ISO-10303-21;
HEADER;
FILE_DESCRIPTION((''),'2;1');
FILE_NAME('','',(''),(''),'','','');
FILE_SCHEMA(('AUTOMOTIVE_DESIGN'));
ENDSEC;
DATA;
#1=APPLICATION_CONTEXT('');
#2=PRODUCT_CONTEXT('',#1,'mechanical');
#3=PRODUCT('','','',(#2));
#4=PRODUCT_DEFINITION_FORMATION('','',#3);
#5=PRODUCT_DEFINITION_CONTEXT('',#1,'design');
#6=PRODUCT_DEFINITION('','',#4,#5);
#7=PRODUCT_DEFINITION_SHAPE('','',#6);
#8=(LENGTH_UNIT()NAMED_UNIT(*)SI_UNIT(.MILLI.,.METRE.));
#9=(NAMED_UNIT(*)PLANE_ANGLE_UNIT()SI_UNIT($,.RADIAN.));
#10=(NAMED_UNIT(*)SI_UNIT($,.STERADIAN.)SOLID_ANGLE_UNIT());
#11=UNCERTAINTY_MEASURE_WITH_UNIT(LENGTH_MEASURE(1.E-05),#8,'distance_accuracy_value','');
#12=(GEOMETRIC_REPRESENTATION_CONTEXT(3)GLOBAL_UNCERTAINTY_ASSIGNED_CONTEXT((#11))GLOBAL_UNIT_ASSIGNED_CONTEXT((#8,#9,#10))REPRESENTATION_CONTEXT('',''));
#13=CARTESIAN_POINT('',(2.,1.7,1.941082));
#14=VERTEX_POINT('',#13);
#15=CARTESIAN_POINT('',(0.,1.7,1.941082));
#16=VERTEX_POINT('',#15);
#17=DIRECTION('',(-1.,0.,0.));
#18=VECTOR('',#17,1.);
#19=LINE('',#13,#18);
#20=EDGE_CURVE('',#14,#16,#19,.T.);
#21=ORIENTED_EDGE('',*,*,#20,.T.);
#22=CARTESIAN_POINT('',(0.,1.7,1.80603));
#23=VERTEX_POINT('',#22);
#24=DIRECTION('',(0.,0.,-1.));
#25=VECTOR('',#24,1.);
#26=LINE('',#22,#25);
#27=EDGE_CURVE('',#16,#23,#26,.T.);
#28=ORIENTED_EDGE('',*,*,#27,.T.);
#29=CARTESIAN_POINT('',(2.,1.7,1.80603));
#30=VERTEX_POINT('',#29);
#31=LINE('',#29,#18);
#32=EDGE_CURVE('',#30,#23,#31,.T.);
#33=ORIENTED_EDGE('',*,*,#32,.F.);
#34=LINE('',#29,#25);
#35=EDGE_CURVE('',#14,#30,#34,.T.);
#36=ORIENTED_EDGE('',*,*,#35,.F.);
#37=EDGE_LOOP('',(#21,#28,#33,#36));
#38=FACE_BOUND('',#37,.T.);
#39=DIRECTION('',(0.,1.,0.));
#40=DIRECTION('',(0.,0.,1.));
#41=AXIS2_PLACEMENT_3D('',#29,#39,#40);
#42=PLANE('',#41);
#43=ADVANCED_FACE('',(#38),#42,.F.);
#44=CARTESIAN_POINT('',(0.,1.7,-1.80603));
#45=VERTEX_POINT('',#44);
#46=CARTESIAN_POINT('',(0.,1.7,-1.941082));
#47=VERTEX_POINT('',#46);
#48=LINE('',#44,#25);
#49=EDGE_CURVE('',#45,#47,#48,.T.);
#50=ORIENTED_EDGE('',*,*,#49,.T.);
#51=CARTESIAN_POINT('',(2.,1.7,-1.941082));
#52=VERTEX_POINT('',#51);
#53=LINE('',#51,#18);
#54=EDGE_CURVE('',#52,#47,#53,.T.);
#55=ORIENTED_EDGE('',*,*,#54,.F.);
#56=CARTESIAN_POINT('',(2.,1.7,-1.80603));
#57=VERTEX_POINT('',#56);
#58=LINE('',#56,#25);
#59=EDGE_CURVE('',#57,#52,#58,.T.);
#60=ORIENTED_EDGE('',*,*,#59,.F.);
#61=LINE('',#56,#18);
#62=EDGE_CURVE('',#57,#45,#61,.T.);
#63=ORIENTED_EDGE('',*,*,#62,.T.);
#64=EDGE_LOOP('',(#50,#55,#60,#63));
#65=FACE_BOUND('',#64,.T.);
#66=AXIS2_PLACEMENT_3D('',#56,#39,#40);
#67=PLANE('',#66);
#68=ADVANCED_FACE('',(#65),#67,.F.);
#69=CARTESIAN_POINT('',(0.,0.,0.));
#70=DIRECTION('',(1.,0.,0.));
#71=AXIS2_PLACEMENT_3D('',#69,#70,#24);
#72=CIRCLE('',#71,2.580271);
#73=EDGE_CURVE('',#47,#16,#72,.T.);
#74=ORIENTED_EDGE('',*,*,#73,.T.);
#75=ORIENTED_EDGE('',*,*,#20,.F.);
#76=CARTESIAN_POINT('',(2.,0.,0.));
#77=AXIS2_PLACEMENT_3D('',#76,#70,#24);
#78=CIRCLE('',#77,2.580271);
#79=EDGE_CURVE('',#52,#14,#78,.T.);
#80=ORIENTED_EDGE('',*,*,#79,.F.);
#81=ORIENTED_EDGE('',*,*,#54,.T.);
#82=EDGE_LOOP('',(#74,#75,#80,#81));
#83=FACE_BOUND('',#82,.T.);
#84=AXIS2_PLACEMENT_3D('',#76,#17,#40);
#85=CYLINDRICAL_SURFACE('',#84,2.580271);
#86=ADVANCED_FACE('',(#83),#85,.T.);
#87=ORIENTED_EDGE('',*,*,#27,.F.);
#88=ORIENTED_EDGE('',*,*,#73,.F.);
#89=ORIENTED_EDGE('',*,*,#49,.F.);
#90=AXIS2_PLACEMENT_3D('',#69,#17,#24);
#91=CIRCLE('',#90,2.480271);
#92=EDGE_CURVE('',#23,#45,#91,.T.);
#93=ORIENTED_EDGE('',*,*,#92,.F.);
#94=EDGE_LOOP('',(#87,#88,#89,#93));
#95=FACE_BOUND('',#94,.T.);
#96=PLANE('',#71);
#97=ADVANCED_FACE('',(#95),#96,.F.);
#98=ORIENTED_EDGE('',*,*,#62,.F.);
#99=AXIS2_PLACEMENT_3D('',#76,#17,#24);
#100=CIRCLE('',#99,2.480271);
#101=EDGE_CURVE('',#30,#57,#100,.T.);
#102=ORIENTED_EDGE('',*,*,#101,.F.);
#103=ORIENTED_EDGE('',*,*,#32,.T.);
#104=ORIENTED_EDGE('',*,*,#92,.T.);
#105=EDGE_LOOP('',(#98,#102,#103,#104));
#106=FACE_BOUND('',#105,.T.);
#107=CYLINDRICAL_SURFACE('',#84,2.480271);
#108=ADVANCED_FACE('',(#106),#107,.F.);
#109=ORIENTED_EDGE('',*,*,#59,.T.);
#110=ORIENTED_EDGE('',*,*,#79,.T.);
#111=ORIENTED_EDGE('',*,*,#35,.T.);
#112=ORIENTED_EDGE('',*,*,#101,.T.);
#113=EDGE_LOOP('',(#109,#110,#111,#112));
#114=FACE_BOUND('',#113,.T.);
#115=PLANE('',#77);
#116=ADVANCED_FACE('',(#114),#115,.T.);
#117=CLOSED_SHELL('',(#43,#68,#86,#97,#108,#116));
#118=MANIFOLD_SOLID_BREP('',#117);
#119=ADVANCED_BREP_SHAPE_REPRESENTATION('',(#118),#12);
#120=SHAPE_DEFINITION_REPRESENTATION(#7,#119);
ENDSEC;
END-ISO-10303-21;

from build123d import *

# Parameters (mm, degrees)
BOSS_EXTRUDE1_DEPTH = 2


with BuildPart() as part:
    # Sketch1 → Boss-Extrude1 (new body)
    with BuildSketch(Plane(origin=(0, 0, 0), x_dir=(0, 0, -1), z_dir=(1, 0, 0))):
        with BuildLine():
            Line((-1.806029722, 1.7), (-1.941081534, 1.7))
            ThreePointArc((-1.941081534, 1.7), (0, 2.580270823), (1.941081534, 1.7))
            Line((1.941081534, 1.7), (1.806029722, 1.7))
            ThreePointArc((1.806029722, 1.7), (0, 2.480270823), (-1.806029722, 1.7))
        make_face()
    extrude(amount=BOSS_EXTRUDE1_DEPTH)


solid = part.part
